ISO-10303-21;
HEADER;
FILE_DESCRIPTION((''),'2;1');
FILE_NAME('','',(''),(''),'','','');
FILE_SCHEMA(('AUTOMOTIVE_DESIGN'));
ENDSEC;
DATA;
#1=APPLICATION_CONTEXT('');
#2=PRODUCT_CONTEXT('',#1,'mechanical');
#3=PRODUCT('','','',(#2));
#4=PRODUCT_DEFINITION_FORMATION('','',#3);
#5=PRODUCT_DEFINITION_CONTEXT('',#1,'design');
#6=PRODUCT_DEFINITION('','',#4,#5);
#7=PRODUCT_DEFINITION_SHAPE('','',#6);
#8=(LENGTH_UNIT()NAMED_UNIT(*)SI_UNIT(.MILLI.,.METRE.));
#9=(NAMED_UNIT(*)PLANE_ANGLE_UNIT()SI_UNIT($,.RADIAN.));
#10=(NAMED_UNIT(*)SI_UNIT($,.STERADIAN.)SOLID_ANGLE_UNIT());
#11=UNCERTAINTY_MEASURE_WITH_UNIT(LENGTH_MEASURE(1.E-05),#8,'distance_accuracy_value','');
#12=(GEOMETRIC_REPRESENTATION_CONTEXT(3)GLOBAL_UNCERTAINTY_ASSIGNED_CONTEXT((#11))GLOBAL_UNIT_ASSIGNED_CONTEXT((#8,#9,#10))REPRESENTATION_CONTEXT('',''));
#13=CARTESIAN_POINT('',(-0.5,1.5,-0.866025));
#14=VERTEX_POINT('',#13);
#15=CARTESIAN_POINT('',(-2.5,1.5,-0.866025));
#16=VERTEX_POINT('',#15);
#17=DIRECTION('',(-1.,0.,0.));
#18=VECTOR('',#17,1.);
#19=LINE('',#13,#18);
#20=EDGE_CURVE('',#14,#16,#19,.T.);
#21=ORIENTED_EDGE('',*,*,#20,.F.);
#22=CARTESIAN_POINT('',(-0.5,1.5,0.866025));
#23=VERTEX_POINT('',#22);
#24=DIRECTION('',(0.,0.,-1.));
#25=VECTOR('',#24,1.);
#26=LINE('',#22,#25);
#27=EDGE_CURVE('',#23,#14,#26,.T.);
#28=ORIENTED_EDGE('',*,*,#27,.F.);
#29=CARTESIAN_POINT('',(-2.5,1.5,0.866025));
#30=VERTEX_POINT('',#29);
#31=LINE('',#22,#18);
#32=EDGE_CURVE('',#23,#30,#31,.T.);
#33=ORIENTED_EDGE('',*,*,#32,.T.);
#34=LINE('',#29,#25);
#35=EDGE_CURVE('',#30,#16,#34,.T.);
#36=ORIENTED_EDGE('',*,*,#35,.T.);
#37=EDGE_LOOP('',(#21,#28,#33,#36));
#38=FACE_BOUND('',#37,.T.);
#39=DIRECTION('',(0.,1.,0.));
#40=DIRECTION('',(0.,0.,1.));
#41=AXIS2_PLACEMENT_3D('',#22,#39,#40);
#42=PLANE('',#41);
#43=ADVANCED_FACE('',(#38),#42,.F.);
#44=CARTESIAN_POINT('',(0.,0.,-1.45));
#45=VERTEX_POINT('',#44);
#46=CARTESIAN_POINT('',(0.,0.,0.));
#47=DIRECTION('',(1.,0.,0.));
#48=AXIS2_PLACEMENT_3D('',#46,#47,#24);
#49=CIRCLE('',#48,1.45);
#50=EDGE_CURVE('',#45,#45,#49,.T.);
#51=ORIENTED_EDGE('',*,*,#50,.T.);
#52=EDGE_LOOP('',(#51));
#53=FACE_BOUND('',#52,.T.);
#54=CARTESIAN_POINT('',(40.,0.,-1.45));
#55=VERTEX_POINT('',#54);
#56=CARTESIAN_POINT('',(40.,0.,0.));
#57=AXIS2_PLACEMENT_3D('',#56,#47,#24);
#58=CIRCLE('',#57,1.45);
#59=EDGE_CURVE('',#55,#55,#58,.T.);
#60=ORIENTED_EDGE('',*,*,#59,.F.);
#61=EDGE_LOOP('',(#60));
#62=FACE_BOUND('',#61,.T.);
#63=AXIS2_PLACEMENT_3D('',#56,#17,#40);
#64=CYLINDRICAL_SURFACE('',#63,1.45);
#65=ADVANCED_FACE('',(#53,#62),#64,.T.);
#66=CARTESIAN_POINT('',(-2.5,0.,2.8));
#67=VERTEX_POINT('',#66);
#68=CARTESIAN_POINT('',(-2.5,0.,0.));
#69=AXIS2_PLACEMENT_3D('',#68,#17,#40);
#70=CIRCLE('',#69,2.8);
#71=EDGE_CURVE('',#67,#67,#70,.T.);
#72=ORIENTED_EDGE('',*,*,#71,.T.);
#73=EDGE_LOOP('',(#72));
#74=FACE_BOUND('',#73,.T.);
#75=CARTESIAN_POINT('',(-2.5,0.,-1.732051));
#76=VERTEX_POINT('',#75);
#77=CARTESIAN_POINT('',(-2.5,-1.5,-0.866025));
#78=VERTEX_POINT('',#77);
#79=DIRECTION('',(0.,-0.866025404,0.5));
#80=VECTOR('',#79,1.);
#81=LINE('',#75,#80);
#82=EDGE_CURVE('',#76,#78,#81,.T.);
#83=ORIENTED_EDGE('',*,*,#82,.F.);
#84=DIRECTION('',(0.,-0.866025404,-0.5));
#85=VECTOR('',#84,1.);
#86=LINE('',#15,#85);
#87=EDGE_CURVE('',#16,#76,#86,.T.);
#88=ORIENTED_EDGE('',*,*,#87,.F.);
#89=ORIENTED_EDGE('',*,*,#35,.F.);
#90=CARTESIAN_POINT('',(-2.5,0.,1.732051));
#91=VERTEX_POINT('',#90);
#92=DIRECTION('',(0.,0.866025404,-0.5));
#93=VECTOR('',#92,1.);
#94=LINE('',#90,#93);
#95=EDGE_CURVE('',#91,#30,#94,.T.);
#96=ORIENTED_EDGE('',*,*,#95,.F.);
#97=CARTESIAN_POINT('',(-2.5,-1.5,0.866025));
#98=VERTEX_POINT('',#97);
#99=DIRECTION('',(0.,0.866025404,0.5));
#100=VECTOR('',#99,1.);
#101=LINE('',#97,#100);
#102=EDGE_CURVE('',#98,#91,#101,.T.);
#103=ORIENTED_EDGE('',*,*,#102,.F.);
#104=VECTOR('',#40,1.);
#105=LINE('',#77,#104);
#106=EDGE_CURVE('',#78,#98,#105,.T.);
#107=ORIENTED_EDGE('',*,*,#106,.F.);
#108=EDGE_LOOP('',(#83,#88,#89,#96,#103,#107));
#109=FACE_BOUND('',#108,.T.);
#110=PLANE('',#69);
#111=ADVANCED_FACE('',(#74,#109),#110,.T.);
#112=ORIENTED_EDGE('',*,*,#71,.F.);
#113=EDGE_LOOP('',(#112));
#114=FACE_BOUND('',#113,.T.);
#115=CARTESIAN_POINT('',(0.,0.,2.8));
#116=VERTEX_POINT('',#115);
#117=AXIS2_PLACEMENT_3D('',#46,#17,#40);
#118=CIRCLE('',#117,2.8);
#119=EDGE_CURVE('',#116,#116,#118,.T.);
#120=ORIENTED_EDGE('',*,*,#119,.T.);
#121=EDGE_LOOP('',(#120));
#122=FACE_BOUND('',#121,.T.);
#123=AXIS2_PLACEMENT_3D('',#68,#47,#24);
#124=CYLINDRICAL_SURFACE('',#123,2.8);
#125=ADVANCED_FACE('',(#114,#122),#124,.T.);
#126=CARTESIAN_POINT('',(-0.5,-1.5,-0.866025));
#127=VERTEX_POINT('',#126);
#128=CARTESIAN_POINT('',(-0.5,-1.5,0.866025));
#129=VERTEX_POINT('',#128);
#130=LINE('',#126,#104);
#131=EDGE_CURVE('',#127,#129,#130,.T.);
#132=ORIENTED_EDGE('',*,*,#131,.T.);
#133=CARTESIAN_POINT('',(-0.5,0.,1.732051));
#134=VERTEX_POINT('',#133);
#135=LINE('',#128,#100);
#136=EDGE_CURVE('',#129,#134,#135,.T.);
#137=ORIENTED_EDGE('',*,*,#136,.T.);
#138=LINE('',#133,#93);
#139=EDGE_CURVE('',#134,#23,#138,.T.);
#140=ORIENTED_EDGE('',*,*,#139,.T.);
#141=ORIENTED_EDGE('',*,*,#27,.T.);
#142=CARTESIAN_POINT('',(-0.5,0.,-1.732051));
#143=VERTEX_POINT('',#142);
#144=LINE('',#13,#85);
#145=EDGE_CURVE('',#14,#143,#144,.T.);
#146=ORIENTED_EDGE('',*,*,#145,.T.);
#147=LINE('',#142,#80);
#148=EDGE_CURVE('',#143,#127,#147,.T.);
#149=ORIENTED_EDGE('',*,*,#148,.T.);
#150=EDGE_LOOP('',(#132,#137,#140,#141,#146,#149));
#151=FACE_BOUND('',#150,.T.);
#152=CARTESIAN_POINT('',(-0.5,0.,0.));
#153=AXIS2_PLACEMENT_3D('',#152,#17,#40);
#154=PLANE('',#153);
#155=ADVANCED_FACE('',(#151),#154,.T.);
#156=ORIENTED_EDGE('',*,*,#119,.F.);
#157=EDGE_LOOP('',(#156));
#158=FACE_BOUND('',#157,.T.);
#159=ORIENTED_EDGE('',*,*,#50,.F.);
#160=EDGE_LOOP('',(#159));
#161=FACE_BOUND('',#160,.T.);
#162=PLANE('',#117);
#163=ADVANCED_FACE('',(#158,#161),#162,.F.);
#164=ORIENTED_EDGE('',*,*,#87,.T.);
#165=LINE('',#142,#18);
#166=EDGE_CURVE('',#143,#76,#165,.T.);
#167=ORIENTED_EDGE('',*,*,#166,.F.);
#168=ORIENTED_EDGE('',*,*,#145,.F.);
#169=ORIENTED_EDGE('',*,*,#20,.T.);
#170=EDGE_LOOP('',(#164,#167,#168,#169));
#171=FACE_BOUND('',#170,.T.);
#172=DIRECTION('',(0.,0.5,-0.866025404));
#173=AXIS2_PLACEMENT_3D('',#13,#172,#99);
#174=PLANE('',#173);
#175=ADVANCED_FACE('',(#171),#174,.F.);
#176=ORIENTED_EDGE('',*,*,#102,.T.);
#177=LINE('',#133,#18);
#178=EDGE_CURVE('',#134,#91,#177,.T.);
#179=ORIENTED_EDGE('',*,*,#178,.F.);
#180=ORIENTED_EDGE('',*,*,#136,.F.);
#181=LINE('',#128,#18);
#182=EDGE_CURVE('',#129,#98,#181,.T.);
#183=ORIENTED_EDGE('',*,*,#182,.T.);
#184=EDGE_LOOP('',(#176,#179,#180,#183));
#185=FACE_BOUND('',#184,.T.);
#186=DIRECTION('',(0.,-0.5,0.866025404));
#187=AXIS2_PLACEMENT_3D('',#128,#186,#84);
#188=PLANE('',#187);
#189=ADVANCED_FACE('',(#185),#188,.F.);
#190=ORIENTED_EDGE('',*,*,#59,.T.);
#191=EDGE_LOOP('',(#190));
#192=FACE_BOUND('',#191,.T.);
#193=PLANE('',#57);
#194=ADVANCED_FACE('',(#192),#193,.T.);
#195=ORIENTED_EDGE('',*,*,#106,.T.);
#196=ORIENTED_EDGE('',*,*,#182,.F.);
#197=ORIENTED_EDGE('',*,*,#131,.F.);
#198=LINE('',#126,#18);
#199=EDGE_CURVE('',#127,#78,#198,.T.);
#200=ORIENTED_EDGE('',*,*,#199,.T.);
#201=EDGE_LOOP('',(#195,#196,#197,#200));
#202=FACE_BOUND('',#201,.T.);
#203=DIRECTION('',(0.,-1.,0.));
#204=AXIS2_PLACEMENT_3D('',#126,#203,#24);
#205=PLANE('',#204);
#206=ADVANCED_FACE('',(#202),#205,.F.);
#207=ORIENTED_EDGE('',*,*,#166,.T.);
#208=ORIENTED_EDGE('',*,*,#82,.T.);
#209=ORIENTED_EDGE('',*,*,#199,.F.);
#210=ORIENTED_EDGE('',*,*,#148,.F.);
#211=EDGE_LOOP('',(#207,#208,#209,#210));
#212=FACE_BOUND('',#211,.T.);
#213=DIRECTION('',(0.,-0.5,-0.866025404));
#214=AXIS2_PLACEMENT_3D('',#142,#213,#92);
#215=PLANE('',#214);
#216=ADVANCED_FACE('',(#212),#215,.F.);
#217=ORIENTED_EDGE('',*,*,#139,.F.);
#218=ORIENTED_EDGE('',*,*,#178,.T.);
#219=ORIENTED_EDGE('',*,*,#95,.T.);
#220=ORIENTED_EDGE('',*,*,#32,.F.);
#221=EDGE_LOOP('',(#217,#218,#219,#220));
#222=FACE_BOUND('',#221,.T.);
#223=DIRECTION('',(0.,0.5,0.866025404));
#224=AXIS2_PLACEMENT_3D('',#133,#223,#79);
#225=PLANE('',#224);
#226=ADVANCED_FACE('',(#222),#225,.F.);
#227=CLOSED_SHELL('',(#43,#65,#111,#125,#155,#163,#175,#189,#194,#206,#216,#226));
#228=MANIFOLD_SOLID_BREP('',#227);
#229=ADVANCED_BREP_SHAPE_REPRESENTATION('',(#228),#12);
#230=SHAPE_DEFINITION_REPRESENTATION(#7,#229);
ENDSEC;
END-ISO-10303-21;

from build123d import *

# Parameters (mm, degrees)
IZIM1_R                     = 1.45
Y_KSEKLIK_EKSTR_ZYON1_DEPTH = 40
IZIM2_R                     = 2.8
Y_KSEKLIK_EKSTR_ZYON2_DEPTH = 2.5
KES_EKSTR_ZYON1_DEPTH       = 2


with BuildPart() as part:
    # Çizim1 → Yükseklik-Ekstrüzyon1 (new body)
    with BuildSketch(Plane(origin=(0, 0, 0), x_dir=(0, 0, -1), z_dir=(1, 0, 0))):
        Circle(IZIM1_R)
    extrude(amount=Y_KSEKLIK_EKSTR_ZYON1_DEPTH)

    # Çizim2 → Yükseklik-Ekstrüzyon2 (add)
    with BuildSketch(Plane.ZY):
        Circle(IZIM2_R)
    extrude(amount=Y_KSEKLIK_EKSTR_ZYON2_DEPTH)

    # Çizim3 → Kes-Ekstrüzyon1 (cut)
    with BuildSketch(Plane.ZY.offset(2.5)):
        Polygon((0.866025404, -1.5), (1.732050808, 0), (0.866025404, 1.5), (-0.866025404, 1.5), (-1.732050808, 0), (-0.866025404, -1.5), align=None)
    extrude(amount=-KES_EKSTR_ZYON1_DEPTH, mode=Mode.SUBTRACT)


solid = part.part
